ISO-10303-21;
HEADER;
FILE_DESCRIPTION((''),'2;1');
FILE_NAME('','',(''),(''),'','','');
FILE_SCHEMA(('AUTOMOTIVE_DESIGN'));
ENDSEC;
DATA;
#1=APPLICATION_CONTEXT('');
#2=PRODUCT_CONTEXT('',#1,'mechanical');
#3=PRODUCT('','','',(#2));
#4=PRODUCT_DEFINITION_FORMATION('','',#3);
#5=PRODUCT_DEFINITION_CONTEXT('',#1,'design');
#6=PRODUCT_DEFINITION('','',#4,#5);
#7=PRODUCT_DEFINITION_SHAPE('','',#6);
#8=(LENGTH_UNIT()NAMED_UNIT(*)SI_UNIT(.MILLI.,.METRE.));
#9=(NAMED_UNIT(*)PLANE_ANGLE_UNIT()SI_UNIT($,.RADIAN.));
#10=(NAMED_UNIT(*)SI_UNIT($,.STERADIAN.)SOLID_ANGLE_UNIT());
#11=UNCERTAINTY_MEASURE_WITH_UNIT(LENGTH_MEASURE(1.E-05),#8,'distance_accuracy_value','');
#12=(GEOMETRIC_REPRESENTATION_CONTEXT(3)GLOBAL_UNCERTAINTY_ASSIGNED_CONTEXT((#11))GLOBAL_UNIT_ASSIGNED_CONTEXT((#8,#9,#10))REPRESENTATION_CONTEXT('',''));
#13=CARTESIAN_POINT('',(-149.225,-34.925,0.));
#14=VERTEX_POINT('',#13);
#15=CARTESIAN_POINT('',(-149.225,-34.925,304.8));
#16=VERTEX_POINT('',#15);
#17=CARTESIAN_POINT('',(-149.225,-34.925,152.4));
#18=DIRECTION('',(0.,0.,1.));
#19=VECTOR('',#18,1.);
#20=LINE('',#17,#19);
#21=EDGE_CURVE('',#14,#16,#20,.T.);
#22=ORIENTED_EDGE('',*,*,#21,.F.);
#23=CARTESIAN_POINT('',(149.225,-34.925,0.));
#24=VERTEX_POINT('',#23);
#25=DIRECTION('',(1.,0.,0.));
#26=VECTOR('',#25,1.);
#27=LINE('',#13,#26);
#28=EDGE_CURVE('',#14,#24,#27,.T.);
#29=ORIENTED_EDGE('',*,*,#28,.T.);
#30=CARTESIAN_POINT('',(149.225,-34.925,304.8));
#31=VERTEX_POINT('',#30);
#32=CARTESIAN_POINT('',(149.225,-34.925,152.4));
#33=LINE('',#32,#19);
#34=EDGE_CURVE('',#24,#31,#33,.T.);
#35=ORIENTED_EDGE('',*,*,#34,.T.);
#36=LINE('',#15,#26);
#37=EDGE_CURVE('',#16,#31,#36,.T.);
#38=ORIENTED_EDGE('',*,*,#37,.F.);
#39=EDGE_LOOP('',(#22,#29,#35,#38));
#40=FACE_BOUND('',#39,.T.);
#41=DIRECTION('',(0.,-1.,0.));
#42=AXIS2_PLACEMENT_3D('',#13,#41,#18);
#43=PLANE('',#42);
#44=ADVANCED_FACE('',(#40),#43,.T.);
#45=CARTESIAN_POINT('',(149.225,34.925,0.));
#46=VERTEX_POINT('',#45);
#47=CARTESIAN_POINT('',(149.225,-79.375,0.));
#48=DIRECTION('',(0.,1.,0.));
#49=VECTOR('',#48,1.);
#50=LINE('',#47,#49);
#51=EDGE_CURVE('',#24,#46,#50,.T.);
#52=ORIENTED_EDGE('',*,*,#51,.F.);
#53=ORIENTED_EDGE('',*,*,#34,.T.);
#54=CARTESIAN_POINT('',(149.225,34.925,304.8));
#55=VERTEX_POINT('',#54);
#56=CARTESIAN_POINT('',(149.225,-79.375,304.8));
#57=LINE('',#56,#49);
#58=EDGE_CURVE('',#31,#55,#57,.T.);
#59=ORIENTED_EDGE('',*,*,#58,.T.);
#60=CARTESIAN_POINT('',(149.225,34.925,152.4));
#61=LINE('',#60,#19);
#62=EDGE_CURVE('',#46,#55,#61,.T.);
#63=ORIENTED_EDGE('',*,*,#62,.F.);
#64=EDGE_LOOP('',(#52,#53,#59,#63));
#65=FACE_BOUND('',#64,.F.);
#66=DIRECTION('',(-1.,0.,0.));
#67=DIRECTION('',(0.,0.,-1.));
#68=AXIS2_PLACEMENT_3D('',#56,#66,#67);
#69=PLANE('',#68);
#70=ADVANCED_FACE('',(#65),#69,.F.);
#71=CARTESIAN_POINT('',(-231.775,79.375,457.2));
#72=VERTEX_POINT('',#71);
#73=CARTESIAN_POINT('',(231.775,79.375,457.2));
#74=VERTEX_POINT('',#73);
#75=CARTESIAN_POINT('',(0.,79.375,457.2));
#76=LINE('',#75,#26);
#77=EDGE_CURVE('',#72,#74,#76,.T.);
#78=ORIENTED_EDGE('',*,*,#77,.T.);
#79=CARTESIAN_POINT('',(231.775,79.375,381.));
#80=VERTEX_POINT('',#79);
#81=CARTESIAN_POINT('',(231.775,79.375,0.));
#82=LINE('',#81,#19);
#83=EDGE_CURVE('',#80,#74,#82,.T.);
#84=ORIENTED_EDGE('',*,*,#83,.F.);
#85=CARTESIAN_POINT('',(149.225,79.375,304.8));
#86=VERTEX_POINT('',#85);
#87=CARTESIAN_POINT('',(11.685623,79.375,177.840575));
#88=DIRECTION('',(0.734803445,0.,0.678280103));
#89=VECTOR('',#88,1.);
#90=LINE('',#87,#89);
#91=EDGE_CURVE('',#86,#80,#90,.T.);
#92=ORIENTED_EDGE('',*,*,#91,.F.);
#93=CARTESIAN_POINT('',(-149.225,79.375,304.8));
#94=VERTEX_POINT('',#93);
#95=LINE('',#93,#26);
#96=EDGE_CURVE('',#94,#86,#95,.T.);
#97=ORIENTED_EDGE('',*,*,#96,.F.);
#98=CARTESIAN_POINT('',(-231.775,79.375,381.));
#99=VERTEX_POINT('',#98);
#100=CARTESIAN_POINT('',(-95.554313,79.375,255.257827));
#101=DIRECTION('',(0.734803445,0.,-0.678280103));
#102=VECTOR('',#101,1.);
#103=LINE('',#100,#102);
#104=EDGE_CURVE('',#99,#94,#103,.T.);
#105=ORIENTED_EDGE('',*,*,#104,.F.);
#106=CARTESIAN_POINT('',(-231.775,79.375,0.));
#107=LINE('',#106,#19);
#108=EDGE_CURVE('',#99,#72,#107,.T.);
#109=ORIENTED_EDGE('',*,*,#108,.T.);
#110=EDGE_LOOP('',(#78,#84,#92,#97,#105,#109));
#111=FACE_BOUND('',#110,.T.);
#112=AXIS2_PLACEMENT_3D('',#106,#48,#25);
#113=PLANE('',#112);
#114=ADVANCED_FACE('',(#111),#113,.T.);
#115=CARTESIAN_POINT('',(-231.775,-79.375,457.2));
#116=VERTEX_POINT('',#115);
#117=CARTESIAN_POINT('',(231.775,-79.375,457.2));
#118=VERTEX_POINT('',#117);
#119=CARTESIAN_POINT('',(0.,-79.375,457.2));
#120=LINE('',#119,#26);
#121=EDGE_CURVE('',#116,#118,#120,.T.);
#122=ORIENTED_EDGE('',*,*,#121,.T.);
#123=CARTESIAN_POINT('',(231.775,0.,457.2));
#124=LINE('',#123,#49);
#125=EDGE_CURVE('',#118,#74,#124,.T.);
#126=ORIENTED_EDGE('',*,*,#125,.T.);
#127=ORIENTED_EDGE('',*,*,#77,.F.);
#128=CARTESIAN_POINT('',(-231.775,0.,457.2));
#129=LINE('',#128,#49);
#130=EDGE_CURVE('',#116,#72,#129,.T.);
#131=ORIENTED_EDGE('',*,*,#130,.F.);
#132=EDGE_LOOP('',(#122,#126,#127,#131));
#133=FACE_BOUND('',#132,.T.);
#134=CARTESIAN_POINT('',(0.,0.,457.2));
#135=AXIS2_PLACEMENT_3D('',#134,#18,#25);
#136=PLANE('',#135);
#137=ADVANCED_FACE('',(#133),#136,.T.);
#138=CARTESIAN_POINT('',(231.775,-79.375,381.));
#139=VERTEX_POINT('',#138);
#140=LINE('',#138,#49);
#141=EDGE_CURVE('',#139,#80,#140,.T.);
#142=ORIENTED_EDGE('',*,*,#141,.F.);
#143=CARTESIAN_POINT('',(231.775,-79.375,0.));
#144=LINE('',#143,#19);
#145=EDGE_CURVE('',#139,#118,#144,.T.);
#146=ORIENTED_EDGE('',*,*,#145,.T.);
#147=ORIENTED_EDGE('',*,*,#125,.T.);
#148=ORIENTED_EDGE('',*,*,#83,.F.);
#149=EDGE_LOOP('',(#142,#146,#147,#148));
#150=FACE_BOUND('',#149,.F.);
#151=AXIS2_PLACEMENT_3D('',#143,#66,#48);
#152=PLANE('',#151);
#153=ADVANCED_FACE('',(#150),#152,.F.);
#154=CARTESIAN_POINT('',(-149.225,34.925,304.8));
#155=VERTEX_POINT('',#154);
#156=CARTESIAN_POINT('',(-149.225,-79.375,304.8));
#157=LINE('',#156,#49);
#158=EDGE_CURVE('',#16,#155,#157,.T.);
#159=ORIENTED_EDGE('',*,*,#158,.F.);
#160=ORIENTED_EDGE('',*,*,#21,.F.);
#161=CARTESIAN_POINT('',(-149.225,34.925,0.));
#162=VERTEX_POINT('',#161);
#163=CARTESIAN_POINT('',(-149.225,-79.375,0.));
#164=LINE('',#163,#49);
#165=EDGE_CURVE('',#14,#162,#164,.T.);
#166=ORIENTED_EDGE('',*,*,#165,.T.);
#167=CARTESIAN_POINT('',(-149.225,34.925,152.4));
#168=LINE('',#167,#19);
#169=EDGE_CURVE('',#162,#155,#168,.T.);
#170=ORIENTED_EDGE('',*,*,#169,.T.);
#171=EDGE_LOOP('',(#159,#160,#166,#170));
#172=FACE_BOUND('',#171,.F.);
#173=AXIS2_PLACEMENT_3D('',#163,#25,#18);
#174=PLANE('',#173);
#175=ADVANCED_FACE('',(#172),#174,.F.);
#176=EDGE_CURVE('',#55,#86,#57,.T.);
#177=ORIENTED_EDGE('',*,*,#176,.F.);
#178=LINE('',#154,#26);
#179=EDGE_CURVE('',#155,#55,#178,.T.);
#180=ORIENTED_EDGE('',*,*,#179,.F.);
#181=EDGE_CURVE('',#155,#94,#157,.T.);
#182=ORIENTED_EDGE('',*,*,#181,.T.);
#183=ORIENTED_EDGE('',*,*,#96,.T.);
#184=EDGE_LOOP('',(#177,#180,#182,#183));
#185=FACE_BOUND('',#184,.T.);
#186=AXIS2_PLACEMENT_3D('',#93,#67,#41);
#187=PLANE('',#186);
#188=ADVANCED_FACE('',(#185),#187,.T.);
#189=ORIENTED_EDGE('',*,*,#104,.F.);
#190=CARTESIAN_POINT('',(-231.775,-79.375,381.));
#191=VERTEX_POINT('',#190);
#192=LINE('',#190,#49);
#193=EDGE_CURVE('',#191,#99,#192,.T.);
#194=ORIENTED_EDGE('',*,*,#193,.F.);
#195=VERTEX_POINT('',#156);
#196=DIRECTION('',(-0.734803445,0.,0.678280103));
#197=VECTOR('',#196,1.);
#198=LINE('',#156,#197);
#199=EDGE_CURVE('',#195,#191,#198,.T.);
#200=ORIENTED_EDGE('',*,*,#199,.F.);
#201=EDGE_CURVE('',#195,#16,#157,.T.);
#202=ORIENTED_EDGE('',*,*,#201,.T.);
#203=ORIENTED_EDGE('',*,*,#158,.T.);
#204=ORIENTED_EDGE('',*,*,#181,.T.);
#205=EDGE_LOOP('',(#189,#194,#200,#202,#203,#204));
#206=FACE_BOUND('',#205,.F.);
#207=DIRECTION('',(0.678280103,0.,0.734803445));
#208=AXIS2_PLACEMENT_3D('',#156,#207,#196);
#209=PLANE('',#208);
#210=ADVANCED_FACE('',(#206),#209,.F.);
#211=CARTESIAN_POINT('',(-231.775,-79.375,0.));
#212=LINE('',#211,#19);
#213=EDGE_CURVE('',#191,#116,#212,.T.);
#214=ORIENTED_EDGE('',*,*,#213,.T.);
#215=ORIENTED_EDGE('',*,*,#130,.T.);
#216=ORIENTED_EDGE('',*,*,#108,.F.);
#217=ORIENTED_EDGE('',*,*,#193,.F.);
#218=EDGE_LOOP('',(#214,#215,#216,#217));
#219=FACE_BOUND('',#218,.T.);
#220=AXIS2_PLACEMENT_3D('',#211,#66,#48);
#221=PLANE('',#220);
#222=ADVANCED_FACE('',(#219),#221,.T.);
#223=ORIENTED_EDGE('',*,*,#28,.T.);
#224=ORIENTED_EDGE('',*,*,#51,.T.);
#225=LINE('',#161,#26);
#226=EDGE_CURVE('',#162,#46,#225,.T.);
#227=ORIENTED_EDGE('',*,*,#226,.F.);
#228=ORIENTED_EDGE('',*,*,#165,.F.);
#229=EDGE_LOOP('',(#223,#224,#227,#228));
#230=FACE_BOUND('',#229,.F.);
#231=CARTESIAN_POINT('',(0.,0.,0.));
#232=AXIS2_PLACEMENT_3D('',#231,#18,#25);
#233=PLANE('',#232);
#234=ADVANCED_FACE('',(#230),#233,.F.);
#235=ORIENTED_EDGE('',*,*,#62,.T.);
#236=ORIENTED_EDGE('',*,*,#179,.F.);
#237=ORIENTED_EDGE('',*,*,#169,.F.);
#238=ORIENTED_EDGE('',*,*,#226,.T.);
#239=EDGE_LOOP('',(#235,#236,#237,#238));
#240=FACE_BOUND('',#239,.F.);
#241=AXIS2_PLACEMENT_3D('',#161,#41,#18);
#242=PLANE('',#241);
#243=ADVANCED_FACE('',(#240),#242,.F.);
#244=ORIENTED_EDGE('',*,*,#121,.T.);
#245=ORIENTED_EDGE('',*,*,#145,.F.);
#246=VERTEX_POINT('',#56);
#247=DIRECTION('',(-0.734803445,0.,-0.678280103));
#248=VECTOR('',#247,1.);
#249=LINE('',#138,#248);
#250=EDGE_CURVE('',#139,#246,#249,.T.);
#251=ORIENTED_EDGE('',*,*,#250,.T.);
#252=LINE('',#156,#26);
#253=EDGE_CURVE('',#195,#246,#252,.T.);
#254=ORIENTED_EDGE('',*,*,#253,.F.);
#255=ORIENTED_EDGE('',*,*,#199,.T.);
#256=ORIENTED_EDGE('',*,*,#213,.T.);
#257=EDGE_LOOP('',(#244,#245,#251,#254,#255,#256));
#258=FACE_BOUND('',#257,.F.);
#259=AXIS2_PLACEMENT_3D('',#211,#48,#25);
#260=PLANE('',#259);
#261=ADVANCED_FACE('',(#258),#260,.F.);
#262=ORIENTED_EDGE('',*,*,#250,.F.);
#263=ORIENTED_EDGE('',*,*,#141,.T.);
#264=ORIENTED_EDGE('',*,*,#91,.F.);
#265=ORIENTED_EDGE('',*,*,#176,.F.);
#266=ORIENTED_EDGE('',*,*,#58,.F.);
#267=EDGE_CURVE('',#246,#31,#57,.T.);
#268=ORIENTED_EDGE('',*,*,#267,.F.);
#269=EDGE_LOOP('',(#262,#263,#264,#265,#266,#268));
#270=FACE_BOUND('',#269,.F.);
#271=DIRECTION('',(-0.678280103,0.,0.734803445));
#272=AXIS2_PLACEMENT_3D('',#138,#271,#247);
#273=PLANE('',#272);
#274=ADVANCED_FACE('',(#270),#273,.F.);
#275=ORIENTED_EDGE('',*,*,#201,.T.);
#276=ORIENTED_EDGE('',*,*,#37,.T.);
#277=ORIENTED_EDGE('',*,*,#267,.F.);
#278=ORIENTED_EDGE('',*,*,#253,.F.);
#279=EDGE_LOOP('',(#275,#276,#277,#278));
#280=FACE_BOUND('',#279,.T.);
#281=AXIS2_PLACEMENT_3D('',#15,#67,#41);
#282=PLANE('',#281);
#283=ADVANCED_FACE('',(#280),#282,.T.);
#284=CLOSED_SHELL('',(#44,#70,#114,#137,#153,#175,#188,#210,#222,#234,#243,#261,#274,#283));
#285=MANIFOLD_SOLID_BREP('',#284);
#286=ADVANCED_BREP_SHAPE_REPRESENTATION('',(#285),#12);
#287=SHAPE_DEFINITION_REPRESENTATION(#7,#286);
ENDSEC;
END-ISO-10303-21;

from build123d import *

# Parameters (mm, degrees)
F0_W     = 463.55
F0_H     = 158.75
F1_DEPTH = 457.2
F3_DEPTH = 158.751
F4_W     = 44.45
F4_H     = 304.8
F5_DEPTH = 381.001


with BuildPart() as f1:
    # F0 (on Top) → F1 (new body)
    with BuildSketch(Plane.XY):
        Rectangle(F0_W, F0_H)
    extrude(amount=F1_DEPTH)

    # F2 (on face) → F3 (cut, through all)
    with BuildSketch(Plane.XZ.offset(79.375)):
        Polygon((-149.225, 0), (-149.225, 304.8), (-231.775, 381), (-231.775, 0), align=None)
        Polygon((149.225, 304.8), (149.225, 0), (231.775, 0), (231.775, 381), align=None)
    extrude(amount=-F3_DEPTH, mode=Mode.SUBTRACT)

    # F4 (on face) → F5 (cut, through all)
    with BuildSketch(Plane(origin=(-149.225, 0, 0), x_dir=(0, -1, 0), z_dir=(-1, 0, 0))):
        with Locations((-57.15, 152.4)):
            Rectangle(F4_W, F4_H)
        with Locations((57.15, 152.4)):
            Rectangle(F4_W, F4_H)
    extrude(amount=-F5_DEPTH, mode=Mode.SUBTRACT)


solid = f1.part
